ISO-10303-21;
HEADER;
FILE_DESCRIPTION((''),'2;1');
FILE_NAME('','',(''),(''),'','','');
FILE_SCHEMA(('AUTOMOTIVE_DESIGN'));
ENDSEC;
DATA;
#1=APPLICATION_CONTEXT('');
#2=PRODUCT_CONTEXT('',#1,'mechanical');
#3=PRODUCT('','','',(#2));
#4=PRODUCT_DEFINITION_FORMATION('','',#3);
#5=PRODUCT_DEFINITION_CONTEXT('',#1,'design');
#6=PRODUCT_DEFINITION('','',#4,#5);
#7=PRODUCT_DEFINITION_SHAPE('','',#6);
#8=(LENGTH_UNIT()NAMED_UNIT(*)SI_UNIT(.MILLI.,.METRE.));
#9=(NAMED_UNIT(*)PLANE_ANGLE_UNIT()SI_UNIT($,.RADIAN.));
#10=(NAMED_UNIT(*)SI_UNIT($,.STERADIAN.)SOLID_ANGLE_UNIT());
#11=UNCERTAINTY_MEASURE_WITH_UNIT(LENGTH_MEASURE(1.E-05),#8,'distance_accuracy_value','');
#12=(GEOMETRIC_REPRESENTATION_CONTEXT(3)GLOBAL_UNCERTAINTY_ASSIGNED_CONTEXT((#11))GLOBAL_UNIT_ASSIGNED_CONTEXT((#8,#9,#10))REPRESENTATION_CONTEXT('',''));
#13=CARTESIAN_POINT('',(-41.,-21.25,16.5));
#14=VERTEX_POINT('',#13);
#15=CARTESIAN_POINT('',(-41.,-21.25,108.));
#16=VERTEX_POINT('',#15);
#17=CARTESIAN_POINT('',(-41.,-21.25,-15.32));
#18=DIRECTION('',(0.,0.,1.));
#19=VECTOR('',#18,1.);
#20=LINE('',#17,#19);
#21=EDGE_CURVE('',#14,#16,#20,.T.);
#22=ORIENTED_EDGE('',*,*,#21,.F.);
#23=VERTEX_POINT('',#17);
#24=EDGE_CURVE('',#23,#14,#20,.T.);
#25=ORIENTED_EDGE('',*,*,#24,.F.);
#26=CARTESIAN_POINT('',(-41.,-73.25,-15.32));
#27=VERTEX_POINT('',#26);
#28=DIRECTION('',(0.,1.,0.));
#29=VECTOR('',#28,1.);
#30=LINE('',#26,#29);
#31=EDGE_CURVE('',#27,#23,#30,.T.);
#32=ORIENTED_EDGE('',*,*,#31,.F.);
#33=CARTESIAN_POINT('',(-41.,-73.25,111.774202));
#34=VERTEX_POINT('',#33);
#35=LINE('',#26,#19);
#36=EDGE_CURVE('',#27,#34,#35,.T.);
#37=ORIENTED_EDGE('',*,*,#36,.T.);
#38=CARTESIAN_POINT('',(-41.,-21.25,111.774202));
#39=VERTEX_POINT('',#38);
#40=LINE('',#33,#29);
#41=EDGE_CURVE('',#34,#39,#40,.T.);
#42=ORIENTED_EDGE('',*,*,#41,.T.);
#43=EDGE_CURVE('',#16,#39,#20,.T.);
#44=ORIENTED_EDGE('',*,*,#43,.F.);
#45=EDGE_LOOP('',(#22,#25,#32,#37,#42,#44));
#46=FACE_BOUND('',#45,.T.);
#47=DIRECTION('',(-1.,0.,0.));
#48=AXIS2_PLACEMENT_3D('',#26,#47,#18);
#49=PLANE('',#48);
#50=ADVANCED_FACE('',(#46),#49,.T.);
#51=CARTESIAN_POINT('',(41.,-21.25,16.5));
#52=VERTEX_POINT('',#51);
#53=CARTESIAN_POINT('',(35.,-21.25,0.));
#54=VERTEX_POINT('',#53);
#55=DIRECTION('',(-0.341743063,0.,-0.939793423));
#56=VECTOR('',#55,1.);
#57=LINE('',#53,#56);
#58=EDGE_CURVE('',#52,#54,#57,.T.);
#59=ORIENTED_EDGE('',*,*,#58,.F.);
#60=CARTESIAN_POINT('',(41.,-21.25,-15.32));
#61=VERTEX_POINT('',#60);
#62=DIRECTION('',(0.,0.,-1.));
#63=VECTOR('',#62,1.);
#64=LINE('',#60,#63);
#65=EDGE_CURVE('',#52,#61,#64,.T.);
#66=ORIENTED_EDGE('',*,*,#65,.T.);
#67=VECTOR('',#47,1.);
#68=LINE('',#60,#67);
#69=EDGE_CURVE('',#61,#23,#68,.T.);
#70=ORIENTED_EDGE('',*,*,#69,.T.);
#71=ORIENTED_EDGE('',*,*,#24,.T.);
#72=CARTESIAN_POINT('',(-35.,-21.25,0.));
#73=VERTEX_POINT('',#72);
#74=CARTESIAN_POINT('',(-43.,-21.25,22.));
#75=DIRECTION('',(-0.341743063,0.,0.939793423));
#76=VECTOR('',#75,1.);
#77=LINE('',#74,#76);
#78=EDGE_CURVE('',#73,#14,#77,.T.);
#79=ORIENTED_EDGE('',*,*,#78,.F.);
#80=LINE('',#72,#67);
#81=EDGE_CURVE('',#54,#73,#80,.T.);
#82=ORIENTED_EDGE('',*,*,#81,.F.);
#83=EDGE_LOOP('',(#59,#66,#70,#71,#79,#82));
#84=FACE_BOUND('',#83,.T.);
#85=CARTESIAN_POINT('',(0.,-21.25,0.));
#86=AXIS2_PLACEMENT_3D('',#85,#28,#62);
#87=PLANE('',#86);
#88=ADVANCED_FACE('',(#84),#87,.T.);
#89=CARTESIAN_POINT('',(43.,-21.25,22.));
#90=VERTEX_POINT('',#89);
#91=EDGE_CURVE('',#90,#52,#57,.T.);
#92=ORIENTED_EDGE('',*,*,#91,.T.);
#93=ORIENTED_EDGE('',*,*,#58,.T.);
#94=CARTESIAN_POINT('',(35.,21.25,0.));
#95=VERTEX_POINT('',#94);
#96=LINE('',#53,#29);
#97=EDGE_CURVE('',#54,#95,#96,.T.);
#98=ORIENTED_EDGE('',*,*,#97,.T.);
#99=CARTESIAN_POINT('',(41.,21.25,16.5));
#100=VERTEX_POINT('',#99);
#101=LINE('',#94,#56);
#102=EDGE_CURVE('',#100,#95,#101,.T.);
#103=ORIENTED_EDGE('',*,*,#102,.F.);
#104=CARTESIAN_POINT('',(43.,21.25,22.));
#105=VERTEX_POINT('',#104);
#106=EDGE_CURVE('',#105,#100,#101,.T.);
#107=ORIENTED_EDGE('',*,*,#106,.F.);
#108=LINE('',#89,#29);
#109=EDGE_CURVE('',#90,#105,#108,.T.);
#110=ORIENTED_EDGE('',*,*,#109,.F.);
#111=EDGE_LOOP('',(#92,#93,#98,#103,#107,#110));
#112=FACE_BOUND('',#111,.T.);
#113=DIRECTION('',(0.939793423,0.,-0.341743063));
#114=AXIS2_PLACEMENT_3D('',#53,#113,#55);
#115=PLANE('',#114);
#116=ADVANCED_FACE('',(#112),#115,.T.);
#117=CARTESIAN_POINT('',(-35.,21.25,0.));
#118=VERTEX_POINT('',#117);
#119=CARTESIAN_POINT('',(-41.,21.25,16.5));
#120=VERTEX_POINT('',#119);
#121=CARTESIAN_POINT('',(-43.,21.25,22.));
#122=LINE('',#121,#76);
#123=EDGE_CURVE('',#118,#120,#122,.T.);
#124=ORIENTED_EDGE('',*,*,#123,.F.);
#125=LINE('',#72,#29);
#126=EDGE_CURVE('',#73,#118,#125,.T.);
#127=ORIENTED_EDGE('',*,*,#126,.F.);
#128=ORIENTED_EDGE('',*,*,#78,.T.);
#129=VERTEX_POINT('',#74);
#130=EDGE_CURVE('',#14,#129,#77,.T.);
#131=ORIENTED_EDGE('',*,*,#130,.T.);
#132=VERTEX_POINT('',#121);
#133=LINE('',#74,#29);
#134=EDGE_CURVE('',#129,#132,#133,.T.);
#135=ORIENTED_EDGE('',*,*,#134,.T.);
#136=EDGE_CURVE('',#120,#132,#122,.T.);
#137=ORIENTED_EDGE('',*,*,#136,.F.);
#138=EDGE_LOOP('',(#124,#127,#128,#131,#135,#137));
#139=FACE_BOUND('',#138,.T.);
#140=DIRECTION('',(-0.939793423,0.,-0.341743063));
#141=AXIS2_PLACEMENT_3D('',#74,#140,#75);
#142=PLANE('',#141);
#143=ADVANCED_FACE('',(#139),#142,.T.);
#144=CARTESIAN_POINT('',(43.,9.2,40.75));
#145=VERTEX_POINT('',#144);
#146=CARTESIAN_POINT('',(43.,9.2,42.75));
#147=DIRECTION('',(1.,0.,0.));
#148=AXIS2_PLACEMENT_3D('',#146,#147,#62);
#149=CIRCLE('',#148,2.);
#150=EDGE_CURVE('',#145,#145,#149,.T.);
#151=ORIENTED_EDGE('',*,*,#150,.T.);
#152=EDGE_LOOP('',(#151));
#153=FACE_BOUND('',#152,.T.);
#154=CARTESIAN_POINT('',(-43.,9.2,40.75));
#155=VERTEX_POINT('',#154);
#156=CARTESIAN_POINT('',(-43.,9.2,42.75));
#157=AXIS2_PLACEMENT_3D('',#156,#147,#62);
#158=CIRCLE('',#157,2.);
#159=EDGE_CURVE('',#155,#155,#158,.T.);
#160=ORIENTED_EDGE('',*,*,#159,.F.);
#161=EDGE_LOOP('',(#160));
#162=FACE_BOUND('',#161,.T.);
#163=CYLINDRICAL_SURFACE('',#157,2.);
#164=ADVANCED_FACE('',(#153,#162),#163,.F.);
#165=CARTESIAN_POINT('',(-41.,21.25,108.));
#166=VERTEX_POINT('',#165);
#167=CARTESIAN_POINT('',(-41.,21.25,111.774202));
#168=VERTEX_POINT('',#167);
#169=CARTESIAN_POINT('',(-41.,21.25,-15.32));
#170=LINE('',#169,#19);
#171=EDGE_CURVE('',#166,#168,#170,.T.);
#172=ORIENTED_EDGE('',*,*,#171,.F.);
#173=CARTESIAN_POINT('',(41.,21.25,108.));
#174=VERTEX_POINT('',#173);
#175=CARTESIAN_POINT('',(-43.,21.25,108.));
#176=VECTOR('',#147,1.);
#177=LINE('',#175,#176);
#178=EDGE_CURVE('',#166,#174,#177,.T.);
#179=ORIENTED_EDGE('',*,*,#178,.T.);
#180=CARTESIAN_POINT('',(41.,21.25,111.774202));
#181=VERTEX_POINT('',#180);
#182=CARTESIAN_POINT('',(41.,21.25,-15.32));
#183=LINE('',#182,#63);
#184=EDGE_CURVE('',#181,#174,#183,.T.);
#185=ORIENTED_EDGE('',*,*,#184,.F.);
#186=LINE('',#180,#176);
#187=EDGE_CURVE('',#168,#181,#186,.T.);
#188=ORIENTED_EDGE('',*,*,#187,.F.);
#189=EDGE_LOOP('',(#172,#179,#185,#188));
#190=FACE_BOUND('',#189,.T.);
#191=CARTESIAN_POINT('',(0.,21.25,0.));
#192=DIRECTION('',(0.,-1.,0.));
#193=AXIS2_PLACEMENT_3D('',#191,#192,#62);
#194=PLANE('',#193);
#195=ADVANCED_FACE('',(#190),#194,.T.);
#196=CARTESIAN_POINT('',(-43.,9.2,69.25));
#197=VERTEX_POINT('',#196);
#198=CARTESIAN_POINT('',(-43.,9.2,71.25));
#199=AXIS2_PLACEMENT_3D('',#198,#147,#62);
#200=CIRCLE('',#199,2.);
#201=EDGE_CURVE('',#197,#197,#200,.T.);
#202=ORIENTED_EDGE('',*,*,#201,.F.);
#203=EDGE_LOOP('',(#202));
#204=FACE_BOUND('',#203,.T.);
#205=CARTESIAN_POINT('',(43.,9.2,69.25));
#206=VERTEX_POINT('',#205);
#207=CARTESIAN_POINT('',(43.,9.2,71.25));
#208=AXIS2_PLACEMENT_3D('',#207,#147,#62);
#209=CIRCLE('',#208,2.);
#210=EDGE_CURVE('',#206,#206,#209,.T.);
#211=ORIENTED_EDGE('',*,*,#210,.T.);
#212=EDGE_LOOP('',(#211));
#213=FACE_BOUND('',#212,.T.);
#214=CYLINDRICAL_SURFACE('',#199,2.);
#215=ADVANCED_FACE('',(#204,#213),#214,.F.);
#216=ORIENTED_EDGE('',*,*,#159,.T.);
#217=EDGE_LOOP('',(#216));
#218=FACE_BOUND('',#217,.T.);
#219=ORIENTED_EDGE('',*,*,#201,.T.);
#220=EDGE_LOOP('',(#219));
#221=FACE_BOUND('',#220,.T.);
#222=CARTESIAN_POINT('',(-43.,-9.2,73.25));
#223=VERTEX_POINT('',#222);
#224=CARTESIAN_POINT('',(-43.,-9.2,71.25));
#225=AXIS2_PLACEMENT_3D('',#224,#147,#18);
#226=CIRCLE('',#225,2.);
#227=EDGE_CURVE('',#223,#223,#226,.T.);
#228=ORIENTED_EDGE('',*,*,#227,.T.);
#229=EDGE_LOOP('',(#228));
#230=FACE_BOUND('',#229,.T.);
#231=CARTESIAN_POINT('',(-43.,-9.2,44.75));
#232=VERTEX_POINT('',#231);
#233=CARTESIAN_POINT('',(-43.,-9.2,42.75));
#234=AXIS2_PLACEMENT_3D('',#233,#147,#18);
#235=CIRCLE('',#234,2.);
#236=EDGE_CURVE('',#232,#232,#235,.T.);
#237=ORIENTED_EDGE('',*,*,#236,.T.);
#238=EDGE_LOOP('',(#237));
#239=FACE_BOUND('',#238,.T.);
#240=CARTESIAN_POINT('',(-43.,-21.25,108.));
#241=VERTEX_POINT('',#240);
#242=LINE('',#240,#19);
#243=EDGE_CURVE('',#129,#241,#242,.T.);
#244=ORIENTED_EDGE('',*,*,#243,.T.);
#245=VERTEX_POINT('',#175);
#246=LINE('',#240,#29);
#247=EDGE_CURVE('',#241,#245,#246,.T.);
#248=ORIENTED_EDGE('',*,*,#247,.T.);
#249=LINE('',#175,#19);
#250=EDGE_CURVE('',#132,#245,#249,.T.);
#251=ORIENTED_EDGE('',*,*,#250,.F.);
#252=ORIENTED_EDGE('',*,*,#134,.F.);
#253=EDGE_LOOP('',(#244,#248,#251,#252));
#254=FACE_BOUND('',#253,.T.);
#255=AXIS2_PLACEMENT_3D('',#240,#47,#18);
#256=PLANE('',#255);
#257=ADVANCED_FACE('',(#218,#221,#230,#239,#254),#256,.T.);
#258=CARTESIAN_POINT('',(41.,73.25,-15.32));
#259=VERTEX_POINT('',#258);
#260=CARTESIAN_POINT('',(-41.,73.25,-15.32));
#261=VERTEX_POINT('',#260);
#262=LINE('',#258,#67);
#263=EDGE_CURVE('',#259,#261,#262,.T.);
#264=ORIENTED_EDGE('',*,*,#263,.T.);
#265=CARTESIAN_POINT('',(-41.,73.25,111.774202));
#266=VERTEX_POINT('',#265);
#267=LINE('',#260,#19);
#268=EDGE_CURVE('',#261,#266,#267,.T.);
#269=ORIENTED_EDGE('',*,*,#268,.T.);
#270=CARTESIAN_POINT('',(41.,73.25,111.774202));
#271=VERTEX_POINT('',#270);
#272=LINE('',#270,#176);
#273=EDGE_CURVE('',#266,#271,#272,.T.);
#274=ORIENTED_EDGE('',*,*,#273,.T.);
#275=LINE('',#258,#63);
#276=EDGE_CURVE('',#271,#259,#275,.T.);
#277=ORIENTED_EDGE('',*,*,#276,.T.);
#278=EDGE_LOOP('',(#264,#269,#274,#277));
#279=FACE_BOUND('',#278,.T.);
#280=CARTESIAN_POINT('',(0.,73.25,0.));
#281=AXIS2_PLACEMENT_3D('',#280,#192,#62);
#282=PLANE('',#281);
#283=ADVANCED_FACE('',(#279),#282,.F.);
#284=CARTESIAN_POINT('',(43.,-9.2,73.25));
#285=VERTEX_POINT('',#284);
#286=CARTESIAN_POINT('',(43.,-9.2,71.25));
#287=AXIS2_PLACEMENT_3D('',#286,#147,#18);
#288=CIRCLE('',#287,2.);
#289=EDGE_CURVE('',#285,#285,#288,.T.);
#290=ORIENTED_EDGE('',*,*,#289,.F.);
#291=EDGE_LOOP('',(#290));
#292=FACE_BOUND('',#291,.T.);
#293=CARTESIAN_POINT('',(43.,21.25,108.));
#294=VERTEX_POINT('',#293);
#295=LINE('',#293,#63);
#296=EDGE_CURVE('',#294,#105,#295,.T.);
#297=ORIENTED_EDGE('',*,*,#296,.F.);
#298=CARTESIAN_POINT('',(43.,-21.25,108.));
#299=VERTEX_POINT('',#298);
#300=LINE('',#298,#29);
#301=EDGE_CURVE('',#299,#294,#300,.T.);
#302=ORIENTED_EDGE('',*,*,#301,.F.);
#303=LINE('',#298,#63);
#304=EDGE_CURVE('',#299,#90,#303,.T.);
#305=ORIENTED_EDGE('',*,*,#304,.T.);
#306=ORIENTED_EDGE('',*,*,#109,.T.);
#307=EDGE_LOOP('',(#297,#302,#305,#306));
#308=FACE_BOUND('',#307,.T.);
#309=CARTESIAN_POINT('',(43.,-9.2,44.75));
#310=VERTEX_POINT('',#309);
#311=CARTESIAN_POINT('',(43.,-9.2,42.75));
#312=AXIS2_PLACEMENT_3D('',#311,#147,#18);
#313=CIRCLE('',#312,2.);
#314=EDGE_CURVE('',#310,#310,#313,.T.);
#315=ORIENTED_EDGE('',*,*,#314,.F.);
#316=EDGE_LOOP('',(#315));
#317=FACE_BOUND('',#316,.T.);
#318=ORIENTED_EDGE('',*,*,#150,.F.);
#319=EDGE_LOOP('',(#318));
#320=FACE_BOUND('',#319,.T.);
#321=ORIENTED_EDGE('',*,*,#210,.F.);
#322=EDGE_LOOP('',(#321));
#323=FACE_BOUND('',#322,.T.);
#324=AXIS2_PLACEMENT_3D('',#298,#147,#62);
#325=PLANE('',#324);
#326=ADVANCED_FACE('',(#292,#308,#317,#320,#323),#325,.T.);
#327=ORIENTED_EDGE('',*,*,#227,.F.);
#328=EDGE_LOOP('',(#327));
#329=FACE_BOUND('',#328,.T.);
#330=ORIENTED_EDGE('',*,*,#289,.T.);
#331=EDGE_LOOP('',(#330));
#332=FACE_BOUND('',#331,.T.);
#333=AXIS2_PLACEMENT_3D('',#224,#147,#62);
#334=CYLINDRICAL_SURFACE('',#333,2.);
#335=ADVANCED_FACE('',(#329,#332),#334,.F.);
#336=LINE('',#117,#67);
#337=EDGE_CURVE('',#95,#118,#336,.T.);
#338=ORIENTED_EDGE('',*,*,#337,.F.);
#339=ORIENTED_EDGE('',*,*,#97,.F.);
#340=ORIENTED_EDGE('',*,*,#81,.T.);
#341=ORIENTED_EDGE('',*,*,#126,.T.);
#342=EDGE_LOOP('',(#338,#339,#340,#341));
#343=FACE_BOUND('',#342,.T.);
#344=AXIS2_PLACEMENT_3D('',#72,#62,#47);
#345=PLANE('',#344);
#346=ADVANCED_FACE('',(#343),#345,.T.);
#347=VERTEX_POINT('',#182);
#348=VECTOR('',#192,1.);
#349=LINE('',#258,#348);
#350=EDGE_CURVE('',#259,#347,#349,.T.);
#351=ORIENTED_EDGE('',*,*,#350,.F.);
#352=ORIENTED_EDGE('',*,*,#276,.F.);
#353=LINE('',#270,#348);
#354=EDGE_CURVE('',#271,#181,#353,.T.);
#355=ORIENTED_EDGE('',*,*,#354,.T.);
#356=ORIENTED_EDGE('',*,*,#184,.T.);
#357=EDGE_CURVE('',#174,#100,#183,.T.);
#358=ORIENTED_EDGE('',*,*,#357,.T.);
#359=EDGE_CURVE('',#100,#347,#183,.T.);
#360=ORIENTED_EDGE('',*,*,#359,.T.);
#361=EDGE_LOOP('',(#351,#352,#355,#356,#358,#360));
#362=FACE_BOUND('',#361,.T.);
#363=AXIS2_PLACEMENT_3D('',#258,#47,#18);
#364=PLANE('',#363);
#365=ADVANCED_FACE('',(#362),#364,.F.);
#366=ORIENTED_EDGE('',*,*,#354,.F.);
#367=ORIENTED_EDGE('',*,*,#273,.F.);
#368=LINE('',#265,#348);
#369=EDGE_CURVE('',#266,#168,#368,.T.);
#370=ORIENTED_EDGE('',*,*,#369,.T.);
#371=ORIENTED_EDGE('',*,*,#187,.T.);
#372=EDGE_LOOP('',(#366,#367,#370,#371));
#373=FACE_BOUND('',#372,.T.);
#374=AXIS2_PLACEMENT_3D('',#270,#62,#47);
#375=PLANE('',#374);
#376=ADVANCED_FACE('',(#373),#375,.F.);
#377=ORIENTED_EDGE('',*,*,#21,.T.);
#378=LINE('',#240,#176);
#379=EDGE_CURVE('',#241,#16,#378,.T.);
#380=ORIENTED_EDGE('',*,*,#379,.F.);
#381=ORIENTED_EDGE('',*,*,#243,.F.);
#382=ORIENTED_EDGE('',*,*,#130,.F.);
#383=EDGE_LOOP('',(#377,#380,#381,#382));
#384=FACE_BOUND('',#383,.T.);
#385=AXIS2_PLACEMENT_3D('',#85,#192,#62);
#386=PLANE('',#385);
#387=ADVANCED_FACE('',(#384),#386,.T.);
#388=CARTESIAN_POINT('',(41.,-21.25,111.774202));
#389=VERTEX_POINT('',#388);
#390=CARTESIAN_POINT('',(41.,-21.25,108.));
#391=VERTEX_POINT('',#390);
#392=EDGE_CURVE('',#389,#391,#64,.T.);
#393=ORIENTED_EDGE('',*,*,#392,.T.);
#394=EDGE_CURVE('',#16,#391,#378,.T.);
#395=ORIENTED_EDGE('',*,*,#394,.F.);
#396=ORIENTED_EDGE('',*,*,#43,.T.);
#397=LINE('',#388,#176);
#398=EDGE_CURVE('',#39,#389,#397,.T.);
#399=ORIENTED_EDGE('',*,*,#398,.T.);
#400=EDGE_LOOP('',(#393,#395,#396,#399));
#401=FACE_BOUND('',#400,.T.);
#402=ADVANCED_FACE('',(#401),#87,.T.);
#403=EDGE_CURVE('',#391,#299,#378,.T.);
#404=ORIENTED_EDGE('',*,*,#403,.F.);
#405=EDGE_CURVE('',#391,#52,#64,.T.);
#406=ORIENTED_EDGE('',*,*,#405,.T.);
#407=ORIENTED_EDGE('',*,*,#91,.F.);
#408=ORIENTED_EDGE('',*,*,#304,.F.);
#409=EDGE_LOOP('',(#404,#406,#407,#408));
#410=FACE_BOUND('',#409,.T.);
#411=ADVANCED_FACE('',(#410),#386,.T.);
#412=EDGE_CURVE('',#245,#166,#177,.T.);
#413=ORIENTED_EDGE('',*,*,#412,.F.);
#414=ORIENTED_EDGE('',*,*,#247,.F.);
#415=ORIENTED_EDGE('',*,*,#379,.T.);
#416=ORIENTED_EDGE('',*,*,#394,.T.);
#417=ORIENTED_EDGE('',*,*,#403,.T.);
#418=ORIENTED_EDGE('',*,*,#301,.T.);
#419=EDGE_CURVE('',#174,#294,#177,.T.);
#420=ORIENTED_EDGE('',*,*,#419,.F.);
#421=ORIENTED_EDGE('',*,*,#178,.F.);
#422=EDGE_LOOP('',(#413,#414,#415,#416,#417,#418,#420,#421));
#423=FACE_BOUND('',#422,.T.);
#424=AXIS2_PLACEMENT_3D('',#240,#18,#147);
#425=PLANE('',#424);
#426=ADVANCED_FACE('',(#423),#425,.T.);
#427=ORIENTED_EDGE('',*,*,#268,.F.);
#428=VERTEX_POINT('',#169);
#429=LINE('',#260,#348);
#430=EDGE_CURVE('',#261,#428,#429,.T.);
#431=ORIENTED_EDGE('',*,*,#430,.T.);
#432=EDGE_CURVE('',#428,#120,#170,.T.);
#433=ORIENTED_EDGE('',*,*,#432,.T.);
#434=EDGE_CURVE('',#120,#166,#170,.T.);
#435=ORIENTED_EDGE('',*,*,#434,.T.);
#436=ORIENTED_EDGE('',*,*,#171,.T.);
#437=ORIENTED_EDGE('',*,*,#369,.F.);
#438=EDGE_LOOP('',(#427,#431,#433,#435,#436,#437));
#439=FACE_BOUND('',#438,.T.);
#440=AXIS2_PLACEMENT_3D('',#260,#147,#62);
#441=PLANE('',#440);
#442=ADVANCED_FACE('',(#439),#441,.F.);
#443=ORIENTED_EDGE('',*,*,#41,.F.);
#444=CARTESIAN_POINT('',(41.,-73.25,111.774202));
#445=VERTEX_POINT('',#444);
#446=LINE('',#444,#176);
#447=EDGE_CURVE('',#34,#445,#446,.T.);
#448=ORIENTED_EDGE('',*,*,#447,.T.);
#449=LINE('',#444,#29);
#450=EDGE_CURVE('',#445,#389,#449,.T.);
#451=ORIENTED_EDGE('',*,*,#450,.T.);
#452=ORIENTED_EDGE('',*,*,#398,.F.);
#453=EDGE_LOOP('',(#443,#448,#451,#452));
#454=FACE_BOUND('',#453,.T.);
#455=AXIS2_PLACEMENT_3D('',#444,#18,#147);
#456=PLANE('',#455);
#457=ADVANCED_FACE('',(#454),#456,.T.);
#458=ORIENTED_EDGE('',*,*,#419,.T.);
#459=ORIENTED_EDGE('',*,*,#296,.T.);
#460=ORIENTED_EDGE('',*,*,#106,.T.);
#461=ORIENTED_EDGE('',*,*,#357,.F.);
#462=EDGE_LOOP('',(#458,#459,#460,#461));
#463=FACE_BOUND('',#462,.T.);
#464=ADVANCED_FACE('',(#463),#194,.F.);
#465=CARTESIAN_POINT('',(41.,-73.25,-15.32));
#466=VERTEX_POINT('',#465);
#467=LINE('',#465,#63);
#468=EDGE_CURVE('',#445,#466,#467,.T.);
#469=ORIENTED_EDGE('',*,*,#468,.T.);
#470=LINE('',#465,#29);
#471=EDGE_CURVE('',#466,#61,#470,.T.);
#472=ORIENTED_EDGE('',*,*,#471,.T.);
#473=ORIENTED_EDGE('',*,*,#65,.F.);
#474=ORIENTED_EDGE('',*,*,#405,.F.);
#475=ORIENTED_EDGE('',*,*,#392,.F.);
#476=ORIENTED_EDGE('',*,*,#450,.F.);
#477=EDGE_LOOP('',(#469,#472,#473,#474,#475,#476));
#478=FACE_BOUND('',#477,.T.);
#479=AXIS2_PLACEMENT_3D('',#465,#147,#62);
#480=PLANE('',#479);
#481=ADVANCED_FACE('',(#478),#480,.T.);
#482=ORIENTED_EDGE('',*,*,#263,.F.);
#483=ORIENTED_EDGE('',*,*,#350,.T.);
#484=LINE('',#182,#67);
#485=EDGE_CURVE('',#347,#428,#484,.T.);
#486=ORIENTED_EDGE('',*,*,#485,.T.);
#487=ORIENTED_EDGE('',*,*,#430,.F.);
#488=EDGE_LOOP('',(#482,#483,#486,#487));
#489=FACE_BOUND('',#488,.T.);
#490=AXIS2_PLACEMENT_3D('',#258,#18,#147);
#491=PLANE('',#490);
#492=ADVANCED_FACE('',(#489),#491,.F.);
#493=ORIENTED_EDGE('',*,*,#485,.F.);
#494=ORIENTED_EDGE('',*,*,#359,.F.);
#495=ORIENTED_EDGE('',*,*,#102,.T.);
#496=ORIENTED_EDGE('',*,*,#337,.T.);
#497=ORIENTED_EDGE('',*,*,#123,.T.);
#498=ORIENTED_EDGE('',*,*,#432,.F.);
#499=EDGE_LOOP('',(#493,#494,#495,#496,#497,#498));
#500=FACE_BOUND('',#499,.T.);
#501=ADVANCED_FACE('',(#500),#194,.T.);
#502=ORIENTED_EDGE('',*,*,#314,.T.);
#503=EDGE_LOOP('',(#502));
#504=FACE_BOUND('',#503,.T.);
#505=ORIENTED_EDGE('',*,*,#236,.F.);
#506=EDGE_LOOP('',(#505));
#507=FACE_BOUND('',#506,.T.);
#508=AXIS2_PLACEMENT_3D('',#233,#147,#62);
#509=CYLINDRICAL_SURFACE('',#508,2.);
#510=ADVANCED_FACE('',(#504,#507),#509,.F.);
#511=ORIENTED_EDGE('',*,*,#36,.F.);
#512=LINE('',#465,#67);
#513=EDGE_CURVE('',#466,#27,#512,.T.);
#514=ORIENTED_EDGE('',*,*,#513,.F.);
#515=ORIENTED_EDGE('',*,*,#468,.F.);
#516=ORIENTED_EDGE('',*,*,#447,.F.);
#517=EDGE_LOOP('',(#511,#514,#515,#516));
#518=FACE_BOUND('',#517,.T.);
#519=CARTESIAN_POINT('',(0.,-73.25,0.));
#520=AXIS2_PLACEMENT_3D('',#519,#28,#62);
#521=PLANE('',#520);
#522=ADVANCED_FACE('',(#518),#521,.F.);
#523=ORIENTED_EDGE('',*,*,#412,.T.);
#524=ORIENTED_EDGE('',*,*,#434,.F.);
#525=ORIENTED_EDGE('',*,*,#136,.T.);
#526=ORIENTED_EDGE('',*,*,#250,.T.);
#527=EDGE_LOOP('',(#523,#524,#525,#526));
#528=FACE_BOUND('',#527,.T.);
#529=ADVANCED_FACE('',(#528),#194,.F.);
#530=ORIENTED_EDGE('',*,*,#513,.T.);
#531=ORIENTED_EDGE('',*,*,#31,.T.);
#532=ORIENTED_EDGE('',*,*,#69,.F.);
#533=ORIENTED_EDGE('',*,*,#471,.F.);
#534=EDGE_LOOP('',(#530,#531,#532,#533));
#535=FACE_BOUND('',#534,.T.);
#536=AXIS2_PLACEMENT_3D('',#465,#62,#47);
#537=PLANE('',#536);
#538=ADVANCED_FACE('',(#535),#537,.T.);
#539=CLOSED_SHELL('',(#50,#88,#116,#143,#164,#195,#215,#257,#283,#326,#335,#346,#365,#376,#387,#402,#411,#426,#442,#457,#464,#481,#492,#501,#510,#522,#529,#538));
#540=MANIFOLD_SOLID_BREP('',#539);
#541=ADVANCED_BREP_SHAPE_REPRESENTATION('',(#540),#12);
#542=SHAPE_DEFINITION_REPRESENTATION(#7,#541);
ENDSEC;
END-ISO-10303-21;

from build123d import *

# Parameters (mm, degrees)
BOSS_EXTRUDE1_DEPTH      = 21.25
BOSS_EXTRUDE1_DEPTH_BACK = 21.25
SKETCH2_R                = 2
CUT_EXTRUDE1_DEPTH       = 140.683794694
SKETCH3_W                = 82
SKETCH3_H                = 127.094201992
BOSS_EXTRUDE2_DEPTH      = 52


with BuildPart() as part:
    # Sketch1 → Boss-Extrude1 (new, two sides: drawn at the far end of the back side and taken through both)
    with BuildSketch(Plane(origin=(0, 0, 0), x_dir=(1, 0, 0), z_dir=(0, 1, 0)).offset(-BOSS_EXTRUDE1_DEPTH_BACK)):
        Polygon((-43, -22), (-35, 0), (35, 0), (43, -22), (43, -108), (-43, -108), align=None)
    extrude(amount=BOSS_EXTRUDE1_DEPTH + BOSS_EXTRUDE1_DEPTH_BACK)

    # Sketch2 → Cut-Extrude1 (cut, through all)
    with BuildSketch(Plane(origin=(43, 0, 0), x_dir=(0, 0, -1), z_dir=(1, 0, 0))):
        with Locations((-71.25, 9.2)):
            Circle(SKETCH2_R)
        with Locations((-42.75, 9.2)):
            Circle(SKETCH2_R)
        with Locations((-42.75, -9.2)):
            Circle(SKETCH2_R)
        with Locations((-71.25, -9.2)):
            Circle(SKETCH2_R)
    extrude(amount=-CUT_EXTRUDE1_DEPTH, mode=Mode.SUBTRACT)

    # Sketch3 → Boss-Extrude2 (add)
    with BuildSketch(Plane(origin=(0, 21.25, 0), x_dir=(1, 0, 0), z_dir=(0, 1, 0))):
        with Locations((0, -48.227100996)):
            Rectangle(SKETCH3_W, SKETCH3_H)
    boss_extrude2 = extrude(amount=BOSS_EXTRUDE2_DEPTH)

    # Mirror1: Boss-Extrude2 across plane
    add(boss_extrude2.mirror(Plane.ZX))


solid = part.part
